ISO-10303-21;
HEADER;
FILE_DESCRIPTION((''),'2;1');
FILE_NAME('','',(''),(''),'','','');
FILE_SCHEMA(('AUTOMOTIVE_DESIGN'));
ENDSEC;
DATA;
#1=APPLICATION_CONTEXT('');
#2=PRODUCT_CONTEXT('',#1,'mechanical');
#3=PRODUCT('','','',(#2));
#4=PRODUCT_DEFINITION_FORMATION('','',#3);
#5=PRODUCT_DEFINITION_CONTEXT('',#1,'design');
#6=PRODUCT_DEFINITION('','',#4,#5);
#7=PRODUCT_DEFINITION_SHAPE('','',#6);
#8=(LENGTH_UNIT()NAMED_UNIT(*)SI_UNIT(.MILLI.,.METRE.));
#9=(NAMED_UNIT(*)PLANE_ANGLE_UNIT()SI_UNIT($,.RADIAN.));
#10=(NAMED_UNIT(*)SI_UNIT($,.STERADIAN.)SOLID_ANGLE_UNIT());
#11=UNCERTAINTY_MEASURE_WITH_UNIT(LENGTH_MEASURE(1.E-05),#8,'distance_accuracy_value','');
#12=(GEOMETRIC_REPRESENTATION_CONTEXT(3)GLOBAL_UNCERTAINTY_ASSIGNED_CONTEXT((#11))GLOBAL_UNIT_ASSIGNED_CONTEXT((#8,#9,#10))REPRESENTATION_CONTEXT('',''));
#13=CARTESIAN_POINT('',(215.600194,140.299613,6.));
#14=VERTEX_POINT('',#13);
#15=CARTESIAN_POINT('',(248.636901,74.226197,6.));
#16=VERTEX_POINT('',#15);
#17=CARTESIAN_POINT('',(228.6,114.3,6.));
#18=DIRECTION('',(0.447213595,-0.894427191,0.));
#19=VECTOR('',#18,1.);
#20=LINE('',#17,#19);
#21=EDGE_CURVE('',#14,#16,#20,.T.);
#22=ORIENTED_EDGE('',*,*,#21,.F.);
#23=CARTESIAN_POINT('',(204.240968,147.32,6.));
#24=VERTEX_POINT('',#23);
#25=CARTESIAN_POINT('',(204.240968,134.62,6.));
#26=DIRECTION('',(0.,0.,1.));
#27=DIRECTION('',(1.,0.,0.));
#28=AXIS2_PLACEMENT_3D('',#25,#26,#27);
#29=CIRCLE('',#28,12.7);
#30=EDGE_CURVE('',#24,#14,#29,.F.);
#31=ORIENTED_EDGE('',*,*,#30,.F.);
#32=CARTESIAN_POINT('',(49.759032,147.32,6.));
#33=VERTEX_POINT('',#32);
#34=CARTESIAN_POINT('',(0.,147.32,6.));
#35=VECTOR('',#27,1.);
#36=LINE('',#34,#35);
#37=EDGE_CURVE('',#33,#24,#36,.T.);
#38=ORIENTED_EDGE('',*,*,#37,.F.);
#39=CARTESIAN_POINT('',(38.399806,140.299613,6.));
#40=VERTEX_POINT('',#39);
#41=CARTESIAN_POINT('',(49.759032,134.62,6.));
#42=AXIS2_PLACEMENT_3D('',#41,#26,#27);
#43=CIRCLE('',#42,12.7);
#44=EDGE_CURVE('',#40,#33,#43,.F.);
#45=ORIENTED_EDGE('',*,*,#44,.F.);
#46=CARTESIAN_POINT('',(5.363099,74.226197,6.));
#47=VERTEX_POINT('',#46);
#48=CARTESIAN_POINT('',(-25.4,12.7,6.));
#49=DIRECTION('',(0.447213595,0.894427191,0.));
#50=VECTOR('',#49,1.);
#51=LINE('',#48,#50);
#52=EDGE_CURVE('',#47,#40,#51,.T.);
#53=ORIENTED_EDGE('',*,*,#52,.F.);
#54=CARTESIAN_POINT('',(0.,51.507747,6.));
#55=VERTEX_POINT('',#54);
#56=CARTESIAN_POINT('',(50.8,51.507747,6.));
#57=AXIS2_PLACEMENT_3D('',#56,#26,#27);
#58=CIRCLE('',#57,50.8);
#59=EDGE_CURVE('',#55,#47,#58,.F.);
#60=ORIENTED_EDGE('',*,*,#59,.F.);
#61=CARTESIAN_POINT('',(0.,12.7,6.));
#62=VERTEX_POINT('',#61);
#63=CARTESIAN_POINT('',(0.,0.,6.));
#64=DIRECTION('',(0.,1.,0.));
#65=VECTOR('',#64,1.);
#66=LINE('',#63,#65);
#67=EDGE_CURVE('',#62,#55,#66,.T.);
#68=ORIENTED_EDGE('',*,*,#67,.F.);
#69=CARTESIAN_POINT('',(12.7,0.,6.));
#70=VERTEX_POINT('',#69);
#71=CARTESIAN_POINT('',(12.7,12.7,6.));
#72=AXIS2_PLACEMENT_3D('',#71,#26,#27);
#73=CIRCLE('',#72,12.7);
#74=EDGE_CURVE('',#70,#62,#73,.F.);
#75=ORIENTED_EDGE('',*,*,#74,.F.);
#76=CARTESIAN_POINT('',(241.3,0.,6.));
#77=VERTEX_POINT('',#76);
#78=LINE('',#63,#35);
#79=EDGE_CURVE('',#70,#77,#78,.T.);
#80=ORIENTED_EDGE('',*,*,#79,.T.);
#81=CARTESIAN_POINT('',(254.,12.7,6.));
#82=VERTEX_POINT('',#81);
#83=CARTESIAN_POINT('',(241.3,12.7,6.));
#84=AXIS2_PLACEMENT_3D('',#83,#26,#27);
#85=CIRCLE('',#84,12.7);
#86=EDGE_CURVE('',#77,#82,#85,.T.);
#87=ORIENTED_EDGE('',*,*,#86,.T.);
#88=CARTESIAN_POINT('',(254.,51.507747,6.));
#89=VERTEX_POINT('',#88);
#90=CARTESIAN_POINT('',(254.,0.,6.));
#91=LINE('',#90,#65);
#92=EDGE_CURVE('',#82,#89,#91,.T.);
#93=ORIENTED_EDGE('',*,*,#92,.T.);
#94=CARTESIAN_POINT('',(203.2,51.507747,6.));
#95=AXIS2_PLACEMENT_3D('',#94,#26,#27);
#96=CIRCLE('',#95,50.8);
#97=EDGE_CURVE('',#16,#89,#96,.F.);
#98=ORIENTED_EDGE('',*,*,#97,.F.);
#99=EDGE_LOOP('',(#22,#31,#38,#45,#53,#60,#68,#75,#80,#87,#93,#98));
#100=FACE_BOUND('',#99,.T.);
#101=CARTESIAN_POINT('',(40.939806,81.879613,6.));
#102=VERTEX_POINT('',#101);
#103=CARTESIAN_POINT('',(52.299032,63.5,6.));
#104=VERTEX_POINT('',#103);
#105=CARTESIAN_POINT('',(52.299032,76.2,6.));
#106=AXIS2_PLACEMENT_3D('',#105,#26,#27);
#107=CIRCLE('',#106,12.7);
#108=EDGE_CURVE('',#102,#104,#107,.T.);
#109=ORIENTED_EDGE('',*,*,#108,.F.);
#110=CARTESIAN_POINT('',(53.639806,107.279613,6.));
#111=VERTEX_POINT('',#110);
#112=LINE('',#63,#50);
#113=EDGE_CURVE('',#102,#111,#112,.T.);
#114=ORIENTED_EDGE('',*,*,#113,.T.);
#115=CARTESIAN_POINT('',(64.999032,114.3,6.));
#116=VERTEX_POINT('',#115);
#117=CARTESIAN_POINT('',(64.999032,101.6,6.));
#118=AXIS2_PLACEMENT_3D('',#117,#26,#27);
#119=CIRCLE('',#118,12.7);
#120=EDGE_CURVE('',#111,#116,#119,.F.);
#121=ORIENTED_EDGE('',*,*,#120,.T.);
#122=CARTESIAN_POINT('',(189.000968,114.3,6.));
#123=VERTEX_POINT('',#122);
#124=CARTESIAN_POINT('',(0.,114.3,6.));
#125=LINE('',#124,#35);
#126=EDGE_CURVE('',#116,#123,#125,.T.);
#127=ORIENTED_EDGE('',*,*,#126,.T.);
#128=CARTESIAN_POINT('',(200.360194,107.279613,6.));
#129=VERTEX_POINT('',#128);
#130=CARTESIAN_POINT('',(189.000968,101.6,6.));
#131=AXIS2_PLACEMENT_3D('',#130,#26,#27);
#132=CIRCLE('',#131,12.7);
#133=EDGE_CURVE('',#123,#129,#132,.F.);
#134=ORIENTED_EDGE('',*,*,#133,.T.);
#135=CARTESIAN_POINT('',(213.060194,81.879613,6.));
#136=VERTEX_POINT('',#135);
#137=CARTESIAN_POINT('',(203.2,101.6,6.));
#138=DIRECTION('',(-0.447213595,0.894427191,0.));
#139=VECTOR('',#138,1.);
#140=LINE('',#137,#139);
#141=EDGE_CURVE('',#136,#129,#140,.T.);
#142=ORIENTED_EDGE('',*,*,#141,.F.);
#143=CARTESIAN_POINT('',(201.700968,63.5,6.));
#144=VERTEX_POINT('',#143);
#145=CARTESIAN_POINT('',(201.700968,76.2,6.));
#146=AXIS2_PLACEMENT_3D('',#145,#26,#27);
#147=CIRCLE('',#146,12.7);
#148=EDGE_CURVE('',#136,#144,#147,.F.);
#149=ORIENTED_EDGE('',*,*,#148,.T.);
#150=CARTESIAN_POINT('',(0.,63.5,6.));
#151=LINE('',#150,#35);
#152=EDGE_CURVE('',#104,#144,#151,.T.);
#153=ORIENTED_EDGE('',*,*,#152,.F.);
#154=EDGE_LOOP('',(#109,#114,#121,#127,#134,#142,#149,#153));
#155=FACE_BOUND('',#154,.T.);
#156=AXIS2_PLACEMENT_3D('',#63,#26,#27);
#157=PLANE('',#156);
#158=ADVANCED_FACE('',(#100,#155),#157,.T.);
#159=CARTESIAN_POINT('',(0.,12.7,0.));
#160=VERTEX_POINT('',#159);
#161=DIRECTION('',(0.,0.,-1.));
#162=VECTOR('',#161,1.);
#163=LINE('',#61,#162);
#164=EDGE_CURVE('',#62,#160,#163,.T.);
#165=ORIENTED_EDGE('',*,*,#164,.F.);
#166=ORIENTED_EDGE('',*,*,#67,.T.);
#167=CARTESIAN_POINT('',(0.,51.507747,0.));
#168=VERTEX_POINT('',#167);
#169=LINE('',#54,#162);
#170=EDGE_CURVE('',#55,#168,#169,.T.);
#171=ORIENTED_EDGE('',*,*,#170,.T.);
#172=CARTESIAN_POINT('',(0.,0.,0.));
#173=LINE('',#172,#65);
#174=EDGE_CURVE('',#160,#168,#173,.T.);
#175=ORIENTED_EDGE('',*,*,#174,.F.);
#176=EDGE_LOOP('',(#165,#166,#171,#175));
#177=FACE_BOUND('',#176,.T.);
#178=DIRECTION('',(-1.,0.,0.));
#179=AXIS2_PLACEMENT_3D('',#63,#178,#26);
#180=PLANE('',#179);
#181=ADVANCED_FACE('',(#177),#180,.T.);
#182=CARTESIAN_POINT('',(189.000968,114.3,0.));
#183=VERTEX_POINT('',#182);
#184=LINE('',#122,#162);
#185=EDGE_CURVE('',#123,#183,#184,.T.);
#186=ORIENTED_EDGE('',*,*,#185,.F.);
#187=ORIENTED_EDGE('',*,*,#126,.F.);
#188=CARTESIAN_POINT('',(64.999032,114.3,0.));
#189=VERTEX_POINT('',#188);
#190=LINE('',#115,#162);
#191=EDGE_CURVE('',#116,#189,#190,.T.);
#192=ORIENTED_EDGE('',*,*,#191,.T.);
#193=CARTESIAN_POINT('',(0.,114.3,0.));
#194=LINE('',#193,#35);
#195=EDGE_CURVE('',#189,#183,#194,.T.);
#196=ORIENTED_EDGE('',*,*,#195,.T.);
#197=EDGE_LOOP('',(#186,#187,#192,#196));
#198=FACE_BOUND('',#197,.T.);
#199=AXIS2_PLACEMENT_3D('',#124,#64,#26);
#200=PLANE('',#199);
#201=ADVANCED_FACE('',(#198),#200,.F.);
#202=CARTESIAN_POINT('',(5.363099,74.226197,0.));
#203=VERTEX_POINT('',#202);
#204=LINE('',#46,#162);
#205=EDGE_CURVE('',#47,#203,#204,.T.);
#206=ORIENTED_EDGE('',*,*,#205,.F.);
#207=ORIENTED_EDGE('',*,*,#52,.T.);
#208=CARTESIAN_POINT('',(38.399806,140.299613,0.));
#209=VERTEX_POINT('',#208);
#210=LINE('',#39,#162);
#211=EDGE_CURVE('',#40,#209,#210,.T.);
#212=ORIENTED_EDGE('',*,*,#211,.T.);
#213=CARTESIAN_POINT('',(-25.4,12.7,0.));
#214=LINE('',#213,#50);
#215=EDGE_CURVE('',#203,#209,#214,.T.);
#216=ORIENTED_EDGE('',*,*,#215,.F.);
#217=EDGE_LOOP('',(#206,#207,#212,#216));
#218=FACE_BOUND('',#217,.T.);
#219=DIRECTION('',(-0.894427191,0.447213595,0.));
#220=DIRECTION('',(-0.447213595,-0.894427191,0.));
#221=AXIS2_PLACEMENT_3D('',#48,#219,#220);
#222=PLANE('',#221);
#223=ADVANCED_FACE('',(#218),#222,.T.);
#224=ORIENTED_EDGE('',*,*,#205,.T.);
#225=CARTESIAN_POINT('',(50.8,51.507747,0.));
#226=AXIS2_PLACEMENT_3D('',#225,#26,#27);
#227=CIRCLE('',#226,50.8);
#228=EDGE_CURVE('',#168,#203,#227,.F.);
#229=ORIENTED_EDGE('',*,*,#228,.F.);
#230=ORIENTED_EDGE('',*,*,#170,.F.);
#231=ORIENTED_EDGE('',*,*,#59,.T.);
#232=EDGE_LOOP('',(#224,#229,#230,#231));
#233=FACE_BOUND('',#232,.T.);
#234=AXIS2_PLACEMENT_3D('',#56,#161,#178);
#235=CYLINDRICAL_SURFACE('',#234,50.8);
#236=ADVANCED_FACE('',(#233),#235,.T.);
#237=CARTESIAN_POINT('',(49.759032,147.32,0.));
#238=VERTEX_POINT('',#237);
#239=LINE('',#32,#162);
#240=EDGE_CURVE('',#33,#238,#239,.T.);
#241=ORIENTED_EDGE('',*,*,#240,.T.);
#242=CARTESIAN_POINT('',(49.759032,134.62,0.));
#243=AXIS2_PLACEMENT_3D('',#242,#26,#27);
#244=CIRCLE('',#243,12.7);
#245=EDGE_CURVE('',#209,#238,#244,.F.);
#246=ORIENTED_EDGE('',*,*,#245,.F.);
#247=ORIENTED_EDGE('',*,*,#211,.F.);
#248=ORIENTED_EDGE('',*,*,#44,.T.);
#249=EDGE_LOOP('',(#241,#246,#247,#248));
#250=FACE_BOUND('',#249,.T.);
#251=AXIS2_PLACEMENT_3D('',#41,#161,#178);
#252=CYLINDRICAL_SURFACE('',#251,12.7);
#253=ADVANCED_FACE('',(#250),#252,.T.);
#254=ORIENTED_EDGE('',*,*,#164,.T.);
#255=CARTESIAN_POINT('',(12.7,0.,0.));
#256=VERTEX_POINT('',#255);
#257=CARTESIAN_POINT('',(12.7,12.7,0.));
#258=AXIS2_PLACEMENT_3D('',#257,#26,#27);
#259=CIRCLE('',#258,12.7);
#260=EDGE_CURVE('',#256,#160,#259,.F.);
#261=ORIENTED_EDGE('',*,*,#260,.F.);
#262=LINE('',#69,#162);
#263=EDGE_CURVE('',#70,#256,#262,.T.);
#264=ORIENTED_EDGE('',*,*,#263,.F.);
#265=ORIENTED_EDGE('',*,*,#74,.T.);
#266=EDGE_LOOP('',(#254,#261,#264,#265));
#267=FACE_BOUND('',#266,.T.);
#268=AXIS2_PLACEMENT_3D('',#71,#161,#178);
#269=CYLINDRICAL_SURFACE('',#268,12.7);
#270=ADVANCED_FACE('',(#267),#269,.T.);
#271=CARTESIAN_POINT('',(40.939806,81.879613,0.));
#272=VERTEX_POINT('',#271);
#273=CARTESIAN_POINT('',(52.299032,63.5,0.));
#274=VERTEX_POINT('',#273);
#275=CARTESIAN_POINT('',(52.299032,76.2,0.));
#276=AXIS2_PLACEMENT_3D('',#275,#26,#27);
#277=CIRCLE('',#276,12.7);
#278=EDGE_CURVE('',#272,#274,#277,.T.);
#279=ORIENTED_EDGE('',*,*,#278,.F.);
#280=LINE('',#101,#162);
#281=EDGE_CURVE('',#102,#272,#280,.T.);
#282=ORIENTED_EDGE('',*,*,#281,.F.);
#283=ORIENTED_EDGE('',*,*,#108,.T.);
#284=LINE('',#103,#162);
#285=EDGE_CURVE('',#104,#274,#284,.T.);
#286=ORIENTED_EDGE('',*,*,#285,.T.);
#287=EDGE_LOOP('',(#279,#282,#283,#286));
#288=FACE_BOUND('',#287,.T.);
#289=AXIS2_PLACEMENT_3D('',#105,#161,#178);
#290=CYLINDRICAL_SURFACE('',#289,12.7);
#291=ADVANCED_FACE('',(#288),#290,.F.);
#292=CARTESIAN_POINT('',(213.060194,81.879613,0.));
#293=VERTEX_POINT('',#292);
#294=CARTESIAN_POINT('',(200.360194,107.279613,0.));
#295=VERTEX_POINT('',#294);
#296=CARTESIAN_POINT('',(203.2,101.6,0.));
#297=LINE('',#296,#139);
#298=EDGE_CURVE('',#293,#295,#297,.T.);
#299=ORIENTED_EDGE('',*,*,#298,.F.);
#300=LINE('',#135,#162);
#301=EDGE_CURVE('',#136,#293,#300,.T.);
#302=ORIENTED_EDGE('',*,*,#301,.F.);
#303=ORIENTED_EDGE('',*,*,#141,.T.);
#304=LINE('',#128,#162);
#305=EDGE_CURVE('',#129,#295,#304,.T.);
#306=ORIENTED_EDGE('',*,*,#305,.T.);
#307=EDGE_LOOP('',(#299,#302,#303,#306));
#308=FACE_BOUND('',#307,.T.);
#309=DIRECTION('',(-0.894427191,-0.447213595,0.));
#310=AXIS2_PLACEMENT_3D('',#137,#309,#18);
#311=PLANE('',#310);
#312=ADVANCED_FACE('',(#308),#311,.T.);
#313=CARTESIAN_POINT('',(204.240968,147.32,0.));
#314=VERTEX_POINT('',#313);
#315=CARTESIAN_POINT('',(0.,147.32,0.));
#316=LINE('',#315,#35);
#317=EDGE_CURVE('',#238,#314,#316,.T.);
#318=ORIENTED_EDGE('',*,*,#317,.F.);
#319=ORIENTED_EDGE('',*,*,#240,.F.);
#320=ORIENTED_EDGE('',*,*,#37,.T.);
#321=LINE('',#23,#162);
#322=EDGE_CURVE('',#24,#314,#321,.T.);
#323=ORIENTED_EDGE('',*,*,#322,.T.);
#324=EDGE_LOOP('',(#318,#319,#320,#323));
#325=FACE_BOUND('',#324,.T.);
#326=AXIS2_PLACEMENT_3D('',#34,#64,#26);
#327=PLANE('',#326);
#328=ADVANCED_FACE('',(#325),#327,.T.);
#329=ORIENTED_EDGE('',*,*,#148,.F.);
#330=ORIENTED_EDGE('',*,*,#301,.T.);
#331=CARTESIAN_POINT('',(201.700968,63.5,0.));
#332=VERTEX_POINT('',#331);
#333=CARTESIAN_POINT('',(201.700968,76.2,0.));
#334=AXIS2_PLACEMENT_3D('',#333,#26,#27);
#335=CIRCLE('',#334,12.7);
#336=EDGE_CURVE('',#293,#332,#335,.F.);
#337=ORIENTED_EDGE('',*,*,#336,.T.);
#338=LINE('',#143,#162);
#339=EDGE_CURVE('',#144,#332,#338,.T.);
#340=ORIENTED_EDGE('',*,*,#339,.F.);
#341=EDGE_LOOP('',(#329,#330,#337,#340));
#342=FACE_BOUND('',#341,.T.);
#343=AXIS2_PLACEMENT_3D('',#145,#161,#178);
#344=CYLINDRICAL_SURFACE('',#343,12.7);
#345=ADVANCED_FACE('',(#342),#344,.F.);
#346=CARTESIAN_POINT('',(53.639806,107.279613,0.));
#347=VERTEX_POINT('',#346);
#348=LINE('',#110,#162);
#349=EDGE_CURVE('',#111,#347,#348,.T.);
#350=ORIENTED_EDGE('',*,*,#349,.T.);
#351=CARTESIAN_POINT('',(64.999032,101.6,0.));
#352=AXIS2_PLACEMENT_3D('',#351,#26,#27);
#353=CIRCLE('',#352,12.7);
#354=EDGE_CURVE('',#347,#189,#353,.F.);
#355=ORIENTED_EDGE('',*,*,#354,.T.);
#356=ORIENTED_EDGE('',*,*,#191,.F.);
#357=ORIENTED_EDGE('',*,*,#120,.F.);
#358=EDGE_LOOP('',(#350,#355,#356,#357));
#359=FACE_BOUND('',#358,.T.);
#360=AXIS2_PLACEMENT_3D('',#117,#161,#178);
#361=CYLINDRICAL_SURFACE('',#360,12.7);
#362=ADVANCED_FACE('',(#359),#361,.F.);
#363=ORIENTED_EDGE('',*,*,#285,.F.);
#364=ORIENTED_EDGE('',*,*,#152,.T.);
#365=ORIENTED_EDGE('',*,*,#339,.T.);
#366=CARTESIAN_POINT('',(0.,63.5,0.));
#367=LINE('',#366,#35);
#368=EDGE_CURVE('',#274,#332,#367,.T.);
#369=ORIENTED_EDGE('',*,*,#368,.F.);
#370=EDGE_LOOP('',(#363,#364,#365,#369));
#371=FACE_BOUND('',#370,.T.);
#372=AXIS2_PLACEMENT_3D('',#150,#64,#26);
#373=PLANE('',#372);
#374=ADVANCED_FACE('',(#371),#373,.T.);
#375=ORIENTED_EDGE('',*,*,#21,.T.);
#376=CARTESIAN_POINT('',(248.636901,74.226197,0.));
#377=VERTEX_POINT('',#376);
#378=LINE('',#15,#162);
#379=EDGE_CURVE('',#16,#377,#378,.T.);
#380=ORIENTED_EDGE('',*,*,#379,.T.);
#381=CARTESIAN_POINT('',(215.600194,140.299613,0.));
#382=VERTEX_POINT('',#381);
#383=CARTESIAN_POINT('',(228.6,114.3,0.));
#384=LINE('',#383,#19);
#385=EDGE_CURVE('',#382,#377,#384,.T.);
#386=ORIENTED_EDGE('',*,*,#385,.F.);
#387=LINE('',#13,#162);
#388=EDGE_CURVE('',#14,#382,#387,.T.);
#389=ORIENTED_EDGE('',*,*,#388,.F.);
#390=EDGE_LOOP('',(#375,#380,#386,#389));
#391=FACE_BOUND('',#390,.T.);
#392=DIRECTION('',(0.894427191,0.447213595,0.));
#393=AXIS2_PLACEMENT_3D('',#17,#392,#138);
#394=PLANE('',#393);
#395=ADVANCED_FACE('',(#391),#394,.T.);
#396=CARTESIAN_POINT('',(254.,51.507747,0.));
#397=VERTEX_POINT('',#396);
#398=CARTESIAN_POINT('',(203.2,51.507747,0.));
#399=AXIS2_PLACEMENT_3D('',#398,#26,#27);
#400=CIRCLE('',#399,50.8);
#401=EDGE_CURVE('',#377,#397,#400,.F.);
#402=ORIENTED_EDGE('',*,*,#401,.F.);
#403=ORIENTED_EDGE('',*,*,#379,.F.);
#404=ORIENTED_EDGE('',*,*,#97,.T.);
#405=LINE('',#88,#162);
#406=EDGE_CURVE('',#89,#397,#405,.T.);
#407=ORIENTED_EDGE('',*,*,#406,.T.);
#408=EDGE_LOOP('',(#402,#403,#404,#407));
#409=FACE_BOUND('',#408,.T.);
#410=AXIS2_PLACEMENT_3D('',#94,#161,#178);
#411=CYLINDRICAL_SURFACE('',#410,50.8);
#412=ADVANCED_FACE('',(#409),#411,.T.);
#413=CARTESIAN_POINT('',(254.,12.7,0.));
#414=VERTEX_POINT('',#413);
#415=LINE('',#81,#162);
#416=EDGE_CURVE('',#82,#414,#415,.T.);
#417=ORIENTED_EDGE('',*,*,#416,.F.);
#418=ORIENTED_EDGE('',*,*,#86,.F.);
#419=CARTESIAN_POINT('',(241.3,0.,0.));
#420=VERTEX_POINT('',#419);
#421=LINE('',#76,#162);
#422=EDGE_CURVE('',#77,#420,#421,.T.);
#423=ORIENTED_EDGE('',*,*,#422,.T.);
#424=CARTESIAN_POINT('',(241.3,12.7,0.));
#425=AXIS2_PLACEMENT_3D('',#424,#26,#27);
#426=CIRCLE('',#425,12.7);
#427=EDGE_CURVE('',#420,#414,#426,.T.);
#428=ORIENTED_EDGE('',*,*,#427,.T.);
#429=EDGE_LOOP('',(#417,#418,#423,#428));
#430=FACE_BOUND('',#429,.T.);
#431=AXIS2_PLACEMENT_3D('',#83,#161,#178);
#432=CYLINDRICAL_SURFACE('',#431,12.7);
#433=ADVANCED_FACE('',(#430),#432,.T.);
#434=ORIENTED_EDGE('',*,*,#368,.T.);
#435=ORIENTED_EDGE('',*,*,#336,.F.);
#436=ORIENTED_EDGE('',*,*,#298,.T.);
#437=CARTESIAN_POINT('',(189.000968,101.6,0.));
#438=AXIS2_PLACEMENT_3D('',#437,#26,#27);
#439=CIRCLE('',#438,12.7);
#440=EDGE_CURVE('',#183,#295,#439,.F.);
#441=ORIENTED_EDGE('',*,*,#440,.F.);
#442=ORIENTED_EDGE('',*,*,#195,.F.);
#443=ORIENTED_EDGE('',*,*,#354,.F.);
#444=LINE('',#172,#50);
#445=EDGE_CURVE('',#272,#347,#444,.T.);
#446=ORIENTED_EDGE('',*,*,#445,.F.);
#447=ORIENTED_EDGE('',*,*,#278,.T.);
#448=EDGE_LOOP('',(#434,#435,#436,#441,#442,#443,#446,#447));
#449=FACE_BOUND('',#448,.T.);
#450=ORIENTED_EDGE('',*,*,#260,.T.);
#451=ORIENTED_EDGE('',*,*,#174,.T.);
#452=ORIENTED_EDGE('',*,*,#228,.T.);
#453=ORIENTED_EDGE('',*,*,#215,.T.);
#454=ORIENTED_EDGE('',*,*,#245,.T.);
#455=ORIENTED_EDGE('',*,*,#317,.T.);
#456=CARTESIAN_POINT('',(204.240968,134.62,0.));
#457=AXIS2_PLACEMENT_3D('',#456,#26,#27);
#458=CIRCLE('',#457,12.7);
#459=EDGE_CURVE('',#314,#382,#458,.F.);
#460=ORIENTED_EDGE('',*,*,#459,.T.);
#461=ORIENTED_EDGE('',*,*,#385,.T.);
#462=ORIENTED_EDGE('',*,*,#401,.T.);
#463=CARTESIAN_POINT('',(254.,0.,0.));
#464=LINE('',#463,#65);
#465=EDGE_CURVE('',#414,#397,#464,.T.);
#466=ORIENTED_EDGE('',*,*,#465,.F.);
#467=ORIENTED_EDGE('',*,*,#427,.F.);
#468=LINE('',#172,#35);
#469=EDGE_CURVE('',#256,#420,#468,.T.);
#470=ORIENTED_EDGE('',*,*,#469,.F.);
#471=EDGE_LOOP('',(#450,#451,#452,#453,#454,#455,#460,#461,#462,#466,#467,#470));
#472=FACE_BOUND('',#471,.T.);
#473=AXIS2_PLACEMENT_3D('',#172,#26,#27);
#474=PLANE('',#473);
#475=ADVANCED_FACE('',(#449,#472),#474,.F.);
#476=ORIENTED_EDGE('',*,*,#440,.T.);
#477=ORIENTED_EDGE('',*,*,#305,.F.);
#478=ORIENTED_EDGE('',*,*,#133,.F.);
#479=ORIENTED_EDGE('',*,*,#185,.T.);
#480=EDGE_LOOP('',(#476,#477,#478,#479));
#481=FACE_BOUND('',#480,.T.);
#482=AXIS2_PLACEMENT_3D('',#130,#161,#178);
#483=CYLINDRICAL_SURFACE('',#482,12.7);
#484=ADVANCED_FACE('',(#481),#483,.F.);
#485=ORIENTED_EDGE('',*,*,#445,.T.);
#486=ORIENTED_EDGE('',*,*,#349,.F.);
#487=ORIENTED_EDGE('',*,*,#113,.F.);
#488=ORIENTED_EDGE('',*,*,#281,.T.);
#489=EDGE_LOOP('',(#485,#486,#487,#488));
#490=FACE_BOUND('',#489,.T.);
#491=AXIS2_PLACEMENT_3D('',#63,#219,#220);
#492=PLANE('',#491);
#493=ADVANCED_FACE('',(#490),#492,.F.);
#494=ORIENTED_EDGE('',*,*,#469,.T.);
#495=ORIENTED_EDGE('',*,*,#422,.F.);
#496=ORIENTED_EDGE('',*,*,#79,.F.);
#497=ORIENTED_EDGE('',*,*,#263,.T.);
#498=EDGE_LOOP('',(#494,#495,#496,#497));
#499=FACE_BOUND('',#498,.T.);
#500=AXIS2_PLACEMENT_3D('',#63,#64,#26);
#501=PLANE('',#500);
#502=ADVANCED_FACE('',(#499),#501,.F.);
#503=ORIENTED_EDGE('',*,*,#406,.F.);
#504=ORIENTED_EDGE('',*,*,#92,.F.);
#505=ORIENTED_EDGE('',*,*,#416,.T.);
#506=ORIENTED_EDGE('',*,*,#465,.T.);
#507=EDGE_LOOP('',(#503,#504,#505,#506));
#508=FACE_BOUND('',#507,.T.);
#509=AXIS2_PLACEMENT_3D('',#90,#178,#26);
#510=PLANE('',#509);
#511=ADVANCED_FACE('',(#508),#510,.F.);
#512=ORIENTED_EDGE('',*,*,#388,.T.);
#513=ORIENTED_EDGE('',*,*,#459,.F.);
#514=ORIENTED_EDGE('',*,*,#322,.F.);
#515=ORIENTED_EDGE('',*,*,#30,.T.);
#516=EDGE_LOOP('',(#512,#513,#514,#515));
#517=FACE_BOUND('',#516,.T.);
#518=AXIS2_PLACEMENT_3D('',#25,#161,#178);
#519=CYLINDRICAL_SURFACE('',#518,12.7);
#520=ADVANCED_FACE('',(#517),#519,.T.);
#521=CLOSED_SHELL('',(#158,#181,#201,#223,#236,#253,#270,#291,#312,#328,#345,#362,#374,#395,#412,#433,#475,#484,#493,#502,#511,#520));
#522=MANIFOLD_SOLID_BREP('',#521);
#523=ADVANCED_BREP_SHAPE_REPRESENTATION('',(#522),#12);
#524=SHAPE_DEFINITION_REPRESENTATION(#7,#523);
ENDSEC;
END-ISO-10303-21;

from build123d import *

# Parameters (mm, degrees)
BOSS_EXTRUDE1_DEPTH = 6


with BuildPart() as part:
    # Sketch1 → Boss-Extrude1 (new body)
    with BuildSketch(Plane.XY):
        with BuildLine():
            Line((12.7, 0), (241.3, 0))
            ThreePointArc((241.3, 0), (250.280256121, 3.719743879), (254, 12.7))
            Line((254, 12.7), (254, 51.507746743))
            ThreePointArc((254, 51.507746743), (252.641048665, 63.179195107), (248.636901303, 74.226197394))
            Line((248.636901303, 74.226197394), (215.600193669, 140.299612663))
            ThreePointArc((215.600193669, 140.299612663), (210.917753467, 145.423265266), (204.240968343, 147.32))
            Line((204.240968343, 147.32), (49.759031657, 147.32))
            ThreePointArc((49.759031657, 147.32), (43.082246533, 145.423265266), (38.399806331, 140.299612663))
            Line((38.399806331, 140.299612663), (5.363098697, 74.226197394))
            ThreePointArc((5.363098697, 74.226197394), (1.358951335, 63.179195107), (0, 51.507746743))
            Line((0, 51.507746743), (0, 12.7))
            ThreePointArc((0, 12.7), (3.719743879, 3.719743879), (12.7, 0))
        make_face()
        with BuildLine():
            Line((40.939806331, 81.879612663), (53.639806331, 107.279612663))
            ThreePointArc((53.639806331, 107.279612663), (58.322246533, 112.403265266), (64.999031657, 114.3))
            Line((64.999031657, 114.3), (189.000968343, 114.3))
            ThreePointArc((189.000968343, 114.3), (195.677753467, 112.403265266), (200.360193669, 107.279612663))
            Line((200.360193669, 107.279612663), (213.060193669, 81.879612663))
            ThreePointArc((213.060193669, 81.879612663), (212.504233609, 69.523214876), (201.700968343, 63.5))
            Line((201.700968343, 63.5), (52.299031657, 63.5))
            ThreePointArc((52.299031657, 63.5), (41.495766391, 69.523214876), (40.939806331, 81.879612663))
        make_face(mode=Mode.SUBTRACT)
    extrude(amount=BOSS_EXTRUDE1_DEPTH)


solid = part.part
